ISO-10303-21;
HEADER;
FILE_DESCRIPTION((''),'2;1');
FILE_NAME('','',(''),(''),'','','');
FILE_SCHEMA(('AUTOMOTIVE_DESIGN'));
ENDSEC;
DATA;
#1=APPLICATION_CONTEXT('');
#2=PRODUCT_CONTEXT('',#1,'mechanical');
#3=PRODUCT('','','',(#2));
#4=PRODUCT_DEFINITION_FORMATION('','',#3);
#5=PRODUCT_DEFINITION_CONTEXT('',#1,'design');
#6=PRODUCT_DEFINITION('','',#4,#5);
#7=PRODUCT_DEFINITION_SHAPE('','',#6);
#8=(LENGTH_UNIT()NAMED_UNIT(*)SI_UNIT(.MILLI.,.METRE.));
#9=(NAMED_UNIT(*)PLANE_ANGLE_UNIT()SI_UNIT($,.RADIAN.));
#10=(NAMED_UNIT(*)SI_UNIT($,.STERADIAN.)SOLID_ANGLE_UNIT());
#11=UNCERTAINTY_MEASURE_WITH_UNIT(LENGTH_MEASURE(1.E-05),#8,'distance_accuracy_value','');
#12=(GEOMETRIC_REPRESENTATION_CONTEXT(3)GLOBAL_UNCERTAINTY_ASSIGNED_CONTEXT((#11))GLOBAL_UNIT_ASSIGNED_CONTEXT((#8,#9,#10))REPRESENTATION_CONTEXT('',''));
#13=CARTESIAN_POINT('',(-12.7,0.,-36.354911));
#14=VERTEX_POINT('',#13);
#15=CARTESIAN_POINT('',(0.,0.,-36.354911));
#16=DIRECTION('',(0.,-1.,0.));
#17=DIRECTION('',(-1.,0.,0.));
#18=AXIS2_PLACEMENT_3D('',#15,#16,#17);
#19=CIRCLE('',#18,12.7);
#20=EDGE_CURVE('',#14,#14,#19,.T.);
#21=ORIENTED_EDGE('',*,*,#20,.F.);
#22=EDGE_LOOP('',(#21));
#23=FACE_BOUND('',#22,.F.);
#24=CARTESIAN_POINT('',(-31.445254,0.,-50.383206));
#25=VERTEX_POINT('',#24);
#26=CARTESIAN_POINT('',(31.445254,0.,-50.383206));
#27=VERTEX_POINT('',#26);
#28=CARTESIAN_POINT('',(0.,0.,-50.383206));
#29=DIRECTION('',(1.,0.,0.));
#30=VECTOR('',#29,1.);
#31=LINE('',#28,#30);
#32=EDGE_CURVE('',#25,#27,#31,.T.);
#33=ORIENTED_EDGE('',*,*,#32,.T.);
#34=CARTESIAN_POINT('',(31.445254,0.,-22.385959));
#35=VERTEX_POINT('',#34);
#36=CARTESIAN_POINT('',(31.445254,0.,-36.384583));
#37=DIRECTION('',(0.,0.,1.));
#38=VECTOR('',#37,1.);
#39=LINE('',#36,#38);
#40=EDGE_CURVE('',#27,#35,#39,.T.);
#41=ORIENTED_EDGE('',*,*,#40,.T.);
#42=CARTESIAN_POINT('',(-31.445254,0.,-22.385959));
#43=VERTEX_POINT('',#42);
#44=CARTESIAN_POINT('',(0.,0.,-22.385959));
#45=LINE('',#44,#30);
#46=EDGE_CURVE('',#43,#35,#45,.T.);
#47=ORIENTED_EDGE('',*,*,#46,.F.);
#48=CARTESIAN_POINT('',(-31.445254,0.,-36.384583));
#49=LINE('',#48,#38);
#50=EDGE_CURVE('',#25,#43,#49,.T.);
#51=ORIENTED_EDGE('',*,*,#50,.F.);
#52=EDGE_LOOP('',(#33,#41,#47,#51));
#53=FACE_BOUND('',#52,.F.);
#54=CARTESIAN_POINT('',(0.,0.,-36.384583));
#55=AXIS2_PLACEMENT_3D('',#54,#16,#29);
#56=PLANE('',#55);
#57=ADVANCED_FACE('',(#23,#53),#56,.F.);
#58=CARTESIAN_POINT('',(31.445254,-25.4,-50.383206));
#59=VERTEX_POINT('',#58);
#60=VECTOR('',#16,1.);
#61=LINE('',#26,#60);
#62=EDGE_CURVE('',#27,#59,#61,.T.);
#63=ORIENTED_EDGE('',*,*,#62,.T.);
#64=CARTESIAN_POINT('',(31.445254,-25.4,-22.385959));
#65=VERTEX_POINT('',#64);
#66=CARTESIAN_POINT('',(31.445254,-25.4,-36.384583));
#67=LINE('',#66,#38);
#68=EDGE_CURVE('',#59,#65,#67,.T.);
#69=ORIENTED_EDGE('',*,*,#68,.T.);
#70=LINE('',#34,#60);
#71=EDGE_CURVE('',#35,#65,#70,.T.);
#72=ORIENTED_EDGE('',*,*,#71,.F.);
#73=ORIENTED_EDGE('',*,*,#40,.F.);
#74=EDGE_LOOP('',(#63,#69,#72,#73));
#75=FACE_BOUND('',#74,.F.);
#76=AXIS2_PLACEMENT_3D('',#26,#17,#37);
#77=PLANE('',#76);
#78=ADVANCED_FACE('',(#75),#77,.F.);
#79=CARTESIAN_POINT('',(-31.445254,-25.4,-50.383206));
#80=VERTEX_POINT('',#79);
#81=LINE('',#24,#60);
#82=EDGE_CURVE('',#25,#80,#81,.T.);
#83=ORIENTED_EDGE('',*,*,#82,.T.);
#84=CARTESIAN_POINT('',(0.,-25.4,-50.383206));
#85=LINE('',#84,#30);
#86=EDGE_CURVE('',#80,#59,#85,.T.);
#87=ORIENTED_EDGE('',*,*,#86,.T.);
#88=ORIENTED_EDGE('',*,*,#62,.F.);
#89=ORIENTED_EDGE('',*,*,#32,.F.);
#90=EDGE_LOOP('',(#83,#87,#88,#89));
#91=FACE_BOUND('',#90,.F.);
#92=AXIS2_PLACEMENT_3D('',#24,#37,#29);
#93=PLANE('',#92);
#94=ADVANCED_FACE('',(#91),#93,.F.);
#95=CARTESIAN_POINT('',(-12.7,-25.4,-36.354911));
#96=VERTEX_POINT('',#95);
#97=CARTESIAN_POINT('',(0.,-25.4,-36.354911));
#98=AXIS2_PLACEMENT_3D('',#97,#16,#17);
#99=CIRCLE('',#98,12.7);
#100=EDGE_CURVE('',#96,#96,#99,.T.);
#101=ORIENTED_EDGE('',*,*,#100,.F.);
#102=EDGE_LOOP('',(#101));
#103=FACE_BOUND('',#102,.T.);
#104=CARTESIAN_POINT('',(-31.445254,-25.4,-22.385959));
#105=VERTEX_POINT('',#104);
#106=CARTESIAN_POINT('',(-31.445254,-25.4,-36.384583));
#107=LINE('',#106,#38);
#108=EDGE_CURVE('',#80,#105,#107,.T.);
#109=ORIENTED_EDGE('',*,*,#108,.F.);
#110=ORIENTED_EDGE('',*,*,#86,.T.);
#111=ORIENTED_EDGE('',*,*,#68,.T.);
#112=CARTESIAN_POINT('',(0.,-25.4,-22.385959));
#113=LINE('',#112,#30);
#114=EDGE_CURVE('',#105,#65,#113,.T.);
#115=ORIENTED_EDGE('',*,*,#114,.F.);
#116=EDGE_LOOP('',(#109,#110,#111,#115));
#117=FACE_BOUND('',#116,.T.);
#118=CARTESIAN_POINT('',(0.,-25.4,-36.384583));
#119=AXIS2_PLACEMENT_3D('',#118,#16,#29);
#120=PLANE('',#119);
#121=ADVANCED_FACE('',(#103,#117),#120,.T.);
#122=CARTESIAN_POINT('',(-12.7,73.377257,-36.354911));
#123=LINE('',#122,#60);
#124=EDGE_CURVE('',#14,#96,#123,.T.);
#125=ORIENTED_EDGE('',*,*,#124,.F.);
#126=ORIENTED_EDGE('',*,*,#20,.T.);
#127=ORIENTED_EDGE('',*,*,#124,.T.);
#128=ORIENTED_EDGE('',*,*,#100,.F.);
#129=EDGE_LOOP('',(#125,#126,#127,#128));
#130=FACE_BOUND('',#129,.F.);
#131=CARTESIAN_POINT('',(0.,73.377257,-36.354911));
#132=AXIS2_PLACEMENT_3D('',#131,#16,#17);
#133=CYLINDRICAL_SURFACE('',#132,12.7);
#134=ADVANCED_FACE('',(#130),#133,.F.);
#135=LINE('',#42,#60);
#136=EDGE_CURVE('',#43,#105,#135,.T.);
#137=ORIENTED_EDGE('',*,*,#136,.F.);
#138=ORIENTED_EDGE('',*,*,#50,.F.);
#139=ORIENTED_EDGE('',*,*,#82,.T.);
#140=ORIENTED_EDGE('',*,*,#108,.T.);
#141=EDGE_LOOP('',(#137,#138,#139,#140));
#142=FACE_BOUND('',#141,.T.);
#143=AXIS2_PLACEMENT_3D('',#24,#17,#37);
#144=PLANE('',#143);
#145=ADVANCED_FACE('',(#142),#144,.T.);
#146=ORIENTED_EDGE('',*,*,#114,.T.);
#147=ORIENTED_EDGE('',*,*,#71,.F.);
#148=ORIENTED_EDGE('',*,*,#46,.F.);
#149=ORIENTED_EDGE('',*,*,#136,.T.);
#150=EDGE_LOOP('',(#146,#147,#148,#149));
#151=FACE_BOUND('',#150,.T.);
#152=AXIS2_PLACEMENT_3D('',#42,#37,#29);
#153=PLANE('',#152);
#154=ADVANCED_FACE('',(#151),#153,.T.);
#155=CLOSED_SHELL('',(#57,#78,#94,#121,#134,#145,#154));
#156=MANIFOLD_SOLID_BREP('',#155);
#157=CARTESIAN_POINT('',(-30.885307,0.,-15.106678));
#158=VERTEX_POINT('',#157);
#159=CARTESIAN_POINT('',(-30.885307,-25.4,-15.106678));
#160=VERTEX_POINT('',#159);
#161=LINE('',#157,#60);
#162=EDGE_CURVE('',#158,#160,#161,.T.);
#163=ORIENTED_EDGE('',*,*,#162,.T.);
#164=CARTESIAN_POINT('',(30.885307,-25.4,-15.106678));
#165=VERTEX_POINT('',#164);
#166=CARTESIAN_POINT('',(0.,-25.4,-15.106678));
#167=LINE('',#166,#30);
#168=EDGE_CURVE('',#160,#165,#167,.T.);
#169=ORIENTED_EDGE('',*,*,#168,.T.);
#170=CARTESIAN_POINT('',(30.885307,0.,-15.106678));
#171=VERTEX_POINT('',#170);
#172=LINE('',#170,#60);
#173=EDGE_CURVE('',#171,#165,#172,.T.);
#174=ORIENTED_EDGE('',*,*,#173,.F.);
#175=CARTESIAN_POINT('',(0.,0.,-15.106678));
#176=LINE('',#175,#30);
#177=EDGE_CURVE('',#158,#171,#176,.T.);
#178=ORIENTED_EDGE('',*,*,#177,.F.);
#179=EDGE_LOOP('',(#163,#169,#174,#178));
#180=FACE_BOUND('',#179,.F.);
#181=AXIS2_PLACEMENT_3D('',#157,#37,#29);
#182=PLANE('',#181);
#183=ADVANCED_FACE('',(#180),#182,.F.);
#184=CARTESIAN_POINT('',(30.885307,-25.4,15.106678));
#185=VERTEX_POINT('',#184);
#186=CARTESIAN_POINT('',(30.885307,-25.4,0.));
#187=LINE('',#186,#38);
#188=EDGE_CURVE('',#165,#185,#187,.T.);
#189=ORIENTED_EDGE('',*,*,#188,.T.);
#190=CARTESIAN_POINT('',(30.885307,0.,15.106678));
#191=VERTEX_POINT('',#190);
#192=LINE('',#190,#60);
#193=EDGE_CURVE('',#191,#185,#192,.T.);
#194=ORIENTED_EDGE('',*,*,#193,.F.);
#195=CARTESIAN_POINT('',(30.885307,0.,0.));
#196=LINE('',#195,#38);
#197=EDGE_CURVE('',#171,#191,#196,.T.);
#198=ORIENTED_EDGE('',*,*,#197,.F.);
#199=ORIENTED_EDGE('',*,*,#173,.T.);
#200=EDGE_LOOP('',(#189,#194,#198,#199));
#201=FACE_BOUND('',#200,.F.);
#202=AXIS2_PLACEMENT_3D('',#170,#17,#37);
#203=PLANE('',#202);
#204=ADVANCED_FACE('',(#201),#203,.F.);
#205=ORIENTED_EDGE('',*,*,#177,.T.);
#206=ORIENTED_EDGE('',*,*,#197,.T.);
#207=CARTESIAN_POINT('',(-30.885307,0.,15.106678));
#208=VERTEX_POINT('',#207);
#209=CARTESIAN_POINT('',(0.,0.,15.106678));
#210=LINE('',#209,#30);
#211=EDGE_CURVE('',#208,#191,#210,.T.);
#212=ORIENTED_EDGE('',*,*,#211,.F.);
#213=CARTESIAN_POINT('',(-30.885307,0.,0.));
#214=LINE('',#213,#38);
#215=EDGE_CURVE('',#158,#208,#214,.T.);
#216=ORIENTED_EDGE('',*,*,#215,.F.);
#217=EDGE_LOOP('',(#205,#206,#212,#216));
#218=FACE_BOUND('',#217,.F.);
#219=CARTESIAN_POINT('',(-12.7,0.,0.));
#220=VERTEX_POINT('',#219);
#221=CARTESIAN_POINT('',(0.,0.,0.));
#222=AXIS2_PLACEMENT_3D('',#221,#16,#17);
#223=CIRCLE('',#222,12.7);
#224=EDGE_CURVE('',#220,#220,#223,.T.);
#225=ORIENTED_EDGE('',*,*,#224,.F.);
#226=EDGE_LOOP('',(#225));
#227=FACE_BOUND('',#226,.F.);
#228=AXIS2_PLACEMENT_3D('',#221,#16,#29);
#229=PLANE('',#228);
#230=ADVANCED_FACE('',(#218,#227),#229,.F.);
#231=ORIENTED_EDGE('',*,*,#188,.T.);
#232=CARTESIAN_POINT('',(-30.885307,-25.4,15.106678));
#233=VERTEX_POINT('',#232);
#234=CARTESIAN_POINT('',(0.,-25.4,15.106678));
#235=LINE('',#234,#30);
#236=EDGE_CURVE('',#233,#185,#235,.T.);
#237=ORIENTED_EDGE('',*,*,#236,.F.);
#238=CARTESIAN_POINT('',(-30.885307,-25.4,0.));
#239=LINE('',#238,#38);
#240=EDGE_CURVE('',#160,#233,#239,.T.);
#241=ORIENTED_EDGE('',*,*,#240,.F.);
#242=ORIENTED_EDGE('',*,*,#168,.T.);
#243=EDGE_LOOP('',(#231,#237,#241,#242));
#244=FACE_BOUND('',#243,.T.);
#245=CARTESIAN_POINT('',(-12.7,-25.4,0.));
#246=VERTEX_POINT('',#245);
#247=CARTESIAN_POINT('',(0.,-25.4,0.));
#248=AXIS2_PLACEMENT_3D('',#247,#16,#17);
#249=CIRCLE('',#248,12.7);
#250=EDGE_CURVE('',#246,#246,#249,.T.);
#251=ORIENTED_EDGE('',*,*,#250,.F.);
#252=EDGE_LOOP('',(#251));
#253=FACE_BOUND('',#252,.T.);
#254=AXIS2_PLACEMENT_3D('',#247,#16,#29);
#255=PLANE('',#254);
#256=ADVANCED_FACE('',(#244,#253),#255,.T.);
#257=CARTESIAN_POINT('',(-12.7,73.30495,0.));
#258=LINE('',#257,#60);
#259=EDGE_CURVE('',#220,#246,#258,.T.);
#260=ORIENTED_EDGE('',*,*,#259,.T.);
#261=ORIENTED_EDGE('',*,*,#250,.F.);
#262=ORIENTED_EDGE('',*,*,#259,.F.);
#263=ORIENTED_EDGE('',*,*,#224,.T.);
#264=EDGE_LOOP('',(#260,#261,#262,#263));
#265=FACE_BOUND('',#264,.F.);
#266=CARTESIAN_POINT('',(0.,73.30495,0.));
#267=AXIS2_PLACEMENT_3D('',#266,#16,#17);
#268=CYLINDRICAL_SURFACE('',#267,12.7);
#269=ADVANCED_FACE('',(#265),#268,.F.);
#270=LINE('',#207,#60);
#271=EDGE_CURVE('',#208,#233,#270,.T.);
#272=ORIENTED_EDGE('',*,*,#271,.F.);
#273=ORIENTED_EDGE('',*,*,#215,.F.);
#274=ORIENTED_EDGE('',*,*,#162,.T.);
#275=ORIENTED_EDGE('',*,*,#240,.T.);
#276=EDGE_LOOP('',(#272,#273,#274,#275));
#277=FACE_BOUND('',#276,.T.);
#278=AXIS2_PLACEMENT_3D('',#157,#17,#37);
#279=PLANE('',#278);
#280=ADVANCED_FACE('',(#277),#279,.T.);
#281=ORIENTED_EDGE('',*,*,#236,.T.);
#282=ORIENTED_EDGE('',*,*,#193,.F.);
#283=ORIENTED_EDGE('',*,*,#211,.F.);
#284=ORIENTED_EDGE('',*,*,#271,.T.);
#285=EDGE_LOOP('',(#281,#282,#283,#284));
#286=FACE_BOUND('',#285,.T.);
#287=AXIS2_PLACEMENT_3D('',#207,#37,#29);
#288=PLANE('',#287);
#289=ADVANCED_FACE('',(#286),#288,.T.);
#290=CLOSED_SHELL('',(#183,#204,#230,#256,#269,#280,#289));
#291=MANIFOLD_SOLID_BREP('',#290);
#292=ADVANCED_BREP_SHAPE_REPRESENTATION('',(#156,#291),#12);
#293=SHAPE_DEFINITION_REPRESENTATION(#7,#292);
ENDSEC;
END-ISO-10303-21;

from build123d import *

# Parameters (mm, degrees)
F0_W     = 62.8905072808
F0_H     = 27.9972478747
F1_DEPTH = 25.4
F0_W_2   = 61.7706142366
F0_H_2   = 30.2133560181
F3_D     = 25.4
F3_2_D   = 25.4


with BuildPart() as f1:
    # F0 (on Front) → F1 (new body)
    with BuildSketch(Plane.XZ):
        with Locations((0, -36.3845825195)):
            Rectangle(F0_W, F0_H)
    extrude(amount=F1_DEPTH)

    # F3 (through all)
    with Locations(Plane(origin=(0, 0, 0), x_dir=(1, 0, 0), z_dir=(0, 1, 0))):
        with Locations((0, 0), (0, 36.3549105823)):
            Hole(F3_D / 2)


with BuildPart() as f1b:
    # F0 (on Front) → F1, piece 2 (new body)
    with BuildSketch(Plane.XZ):
        Rectangle(F0_W_2, F0_H_2)
    extrude(amount=F1_DEPTH)

    # F3#2 (through all)
    with Locations(Plane(origin=(0, 0, 0), x_dir=(1, 0, 0), z_dir=(0, 1, 0))):
        with Locations((0, 0), (0, 36.3549105823)):
            Hole(F3_2_D / 2)


solid = Compound([f1.part, f1b.part])
